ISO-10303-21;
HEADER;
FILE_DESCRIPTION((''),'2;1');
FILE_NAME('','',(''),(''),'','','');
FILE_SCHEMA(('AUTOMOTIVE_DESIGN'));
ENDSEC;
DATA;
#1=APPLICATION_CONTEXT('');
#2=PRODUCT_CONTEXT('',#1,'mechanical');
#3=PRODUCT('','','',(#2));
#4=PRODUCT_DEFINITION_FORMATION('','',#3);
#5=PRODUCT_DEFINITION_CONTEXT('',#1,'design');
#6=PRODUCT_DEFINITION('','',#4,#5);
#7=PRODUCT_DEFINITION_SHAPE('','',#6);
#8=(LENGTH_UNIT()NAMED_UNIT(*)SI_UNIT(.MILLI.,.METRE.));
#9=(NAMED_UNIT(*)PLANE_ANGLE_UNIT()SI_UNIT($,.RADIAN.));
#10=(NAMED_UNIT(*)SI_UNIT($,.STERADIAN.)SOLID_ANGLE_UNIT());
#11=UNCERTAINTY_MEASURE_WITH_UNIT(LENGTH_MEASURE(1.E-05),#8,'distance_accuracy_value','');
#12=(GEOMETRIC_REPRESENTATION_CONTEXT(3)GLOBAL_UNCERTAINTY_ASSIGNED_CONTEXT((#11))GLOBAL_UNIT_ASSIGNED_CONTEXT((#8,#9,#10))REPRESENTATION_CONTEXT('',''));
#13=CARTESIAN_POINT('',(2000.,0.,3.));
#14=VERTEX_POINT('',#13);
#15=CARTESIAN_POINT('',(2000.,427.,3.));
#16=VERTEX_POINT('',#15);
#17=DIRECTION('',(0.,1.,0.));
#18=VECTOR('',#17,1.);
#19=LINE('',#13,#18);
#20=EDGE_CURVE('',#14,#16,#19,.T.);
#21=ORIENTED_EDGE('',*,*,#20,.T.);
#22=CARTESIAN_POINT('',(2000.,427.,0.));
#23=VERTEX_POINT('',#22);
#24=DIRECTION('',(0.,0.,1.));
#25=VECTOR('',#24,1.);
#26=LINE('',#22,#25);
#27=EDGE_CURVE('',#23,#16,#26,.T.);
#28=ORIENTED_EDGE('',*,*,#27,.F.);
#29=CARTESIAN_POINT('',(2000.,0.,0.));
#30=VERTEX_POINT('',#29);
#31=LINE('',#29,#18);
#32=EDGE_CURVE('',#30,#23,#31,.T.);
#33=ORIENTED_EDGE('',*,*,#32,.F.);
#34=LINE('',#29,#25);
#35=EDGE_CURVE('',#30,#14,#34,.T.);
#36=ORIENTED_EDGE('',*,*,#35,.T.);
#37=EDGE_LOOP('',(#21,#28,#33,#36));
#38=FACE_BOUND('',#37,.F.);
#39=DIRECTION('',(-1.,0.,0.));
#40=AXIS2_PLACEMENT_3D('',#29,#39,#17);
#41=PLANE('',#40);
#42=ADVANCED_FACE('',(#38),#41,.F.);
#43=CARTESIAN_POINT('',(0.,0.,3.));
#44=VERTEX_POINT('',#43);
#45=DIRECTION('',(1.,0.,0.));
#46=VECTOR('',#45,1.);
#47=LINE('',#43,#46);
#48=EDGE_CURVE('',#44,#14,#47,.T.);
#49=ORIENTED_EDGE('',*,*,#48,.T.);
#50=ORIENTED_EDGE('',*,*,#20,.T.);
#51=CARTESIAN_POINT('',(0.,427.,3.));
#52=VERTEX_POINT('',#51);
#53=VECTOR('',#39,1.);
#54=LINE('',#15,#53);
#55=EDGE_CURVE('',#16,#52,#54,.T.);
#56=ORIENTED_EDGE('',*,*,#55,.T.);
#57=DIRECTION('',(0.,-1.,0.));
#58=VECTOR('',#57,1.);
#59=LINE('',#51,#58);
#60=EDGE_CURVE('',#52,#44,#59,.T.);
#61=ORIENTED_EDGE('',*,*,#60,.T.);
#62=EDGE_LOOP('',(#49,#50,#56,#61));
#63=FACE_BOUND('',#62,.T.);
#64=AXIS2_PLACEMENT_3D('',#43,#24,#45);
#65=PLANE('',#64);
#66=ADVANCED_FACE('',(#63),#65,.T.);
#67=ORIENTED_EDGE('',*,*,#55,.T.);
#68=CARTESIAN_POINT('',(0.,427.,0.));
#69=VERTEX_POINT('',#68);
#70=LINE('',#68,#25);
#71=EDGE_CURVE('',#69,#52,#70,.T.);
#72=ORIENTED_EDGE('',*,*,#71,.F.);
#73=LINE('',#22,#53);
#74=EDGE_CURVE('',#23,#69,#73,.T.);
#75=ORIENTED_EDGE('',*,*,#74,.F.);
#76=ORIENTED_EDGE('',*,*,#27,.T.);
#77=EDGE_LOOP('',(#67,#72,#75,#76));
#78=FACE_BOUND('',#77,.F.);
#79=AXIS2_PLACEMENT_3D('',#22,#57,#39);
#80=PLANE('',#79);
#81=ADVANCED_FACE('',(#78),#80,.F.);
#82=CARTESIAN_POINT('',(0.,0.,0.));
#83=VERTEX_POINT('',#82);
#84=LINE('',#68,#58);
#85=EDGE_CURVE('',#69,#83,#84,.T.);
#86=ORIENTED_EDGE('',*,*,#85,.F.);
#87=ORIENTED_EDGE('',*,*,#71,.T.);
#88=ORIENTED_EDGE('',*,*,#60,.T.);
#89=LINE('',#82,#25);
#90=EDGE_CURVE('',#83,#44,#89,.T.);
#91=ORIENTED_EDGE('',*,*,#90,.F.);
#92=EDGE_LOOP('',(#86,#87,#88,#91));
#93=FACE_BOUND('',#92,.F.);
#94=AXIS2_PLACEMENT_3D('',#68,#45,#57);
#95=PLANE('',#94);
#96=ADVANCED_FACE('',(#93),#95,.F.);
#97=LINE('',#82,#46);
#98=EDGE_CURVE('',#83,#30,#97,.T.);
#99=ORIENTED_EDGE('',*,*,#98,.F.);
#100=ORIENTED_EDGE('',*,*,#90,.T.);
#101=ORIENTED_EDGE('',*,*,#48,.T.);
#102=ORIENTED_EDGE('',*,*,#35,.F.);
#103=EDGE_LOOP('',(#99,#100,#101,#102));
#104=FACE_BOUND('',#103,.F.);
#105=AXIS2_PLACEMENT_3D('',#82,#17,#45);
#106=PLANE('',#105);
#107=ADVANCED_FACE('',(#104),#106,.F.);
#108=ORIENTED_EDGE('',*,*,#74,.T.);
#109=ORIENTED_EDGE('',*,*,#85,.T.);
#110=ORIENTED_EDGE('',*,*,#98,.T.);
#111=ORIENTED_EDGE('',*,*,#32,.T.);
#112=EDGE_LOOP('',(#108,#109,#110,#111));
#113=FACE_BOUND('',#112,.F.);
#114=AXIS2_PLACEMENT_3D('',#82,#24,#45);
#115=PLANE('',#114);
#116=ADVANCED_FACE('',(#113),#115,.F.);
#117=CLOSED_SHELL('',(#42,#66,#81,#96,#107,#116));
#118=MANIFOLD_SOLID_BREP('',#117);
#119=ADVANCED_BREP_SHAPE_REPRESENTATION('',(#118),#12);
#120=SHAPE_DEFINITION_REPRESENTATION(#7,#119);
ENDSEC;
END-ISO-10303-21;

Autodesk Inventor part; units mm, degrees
ref_plane "YZ Plane" through (0, 0, 0) normal (1, 0, 0) x (0, 1, 0)
ref_plane "XZ Plane" through (0, 0, 0) normal (0, 1, 0) x (-1, 0, 0)
ref_plane "XY Plane" through (0, 0, 0) normal (0, 0, 1) x (1, 0, 0)
sketch "Sketch1" plane through (0, 0, 0) normal (0, 0, 1) x (1, 0, 0)
  line L0 (0, 0) -> (2000, 0)
  line L1 (2000, 0) -> (2000, 427)
  line L2 (2000, 427) -> (0, 427)
  line L3 (0, 427) -> (0, 0)
  dimension "d0" = 2000
  dimension "d1" = 427
extrude "Extrusion1" add sketch "Sketch1" along normal blind 3
properties part number "cover back" material "Nylon 6/6"
